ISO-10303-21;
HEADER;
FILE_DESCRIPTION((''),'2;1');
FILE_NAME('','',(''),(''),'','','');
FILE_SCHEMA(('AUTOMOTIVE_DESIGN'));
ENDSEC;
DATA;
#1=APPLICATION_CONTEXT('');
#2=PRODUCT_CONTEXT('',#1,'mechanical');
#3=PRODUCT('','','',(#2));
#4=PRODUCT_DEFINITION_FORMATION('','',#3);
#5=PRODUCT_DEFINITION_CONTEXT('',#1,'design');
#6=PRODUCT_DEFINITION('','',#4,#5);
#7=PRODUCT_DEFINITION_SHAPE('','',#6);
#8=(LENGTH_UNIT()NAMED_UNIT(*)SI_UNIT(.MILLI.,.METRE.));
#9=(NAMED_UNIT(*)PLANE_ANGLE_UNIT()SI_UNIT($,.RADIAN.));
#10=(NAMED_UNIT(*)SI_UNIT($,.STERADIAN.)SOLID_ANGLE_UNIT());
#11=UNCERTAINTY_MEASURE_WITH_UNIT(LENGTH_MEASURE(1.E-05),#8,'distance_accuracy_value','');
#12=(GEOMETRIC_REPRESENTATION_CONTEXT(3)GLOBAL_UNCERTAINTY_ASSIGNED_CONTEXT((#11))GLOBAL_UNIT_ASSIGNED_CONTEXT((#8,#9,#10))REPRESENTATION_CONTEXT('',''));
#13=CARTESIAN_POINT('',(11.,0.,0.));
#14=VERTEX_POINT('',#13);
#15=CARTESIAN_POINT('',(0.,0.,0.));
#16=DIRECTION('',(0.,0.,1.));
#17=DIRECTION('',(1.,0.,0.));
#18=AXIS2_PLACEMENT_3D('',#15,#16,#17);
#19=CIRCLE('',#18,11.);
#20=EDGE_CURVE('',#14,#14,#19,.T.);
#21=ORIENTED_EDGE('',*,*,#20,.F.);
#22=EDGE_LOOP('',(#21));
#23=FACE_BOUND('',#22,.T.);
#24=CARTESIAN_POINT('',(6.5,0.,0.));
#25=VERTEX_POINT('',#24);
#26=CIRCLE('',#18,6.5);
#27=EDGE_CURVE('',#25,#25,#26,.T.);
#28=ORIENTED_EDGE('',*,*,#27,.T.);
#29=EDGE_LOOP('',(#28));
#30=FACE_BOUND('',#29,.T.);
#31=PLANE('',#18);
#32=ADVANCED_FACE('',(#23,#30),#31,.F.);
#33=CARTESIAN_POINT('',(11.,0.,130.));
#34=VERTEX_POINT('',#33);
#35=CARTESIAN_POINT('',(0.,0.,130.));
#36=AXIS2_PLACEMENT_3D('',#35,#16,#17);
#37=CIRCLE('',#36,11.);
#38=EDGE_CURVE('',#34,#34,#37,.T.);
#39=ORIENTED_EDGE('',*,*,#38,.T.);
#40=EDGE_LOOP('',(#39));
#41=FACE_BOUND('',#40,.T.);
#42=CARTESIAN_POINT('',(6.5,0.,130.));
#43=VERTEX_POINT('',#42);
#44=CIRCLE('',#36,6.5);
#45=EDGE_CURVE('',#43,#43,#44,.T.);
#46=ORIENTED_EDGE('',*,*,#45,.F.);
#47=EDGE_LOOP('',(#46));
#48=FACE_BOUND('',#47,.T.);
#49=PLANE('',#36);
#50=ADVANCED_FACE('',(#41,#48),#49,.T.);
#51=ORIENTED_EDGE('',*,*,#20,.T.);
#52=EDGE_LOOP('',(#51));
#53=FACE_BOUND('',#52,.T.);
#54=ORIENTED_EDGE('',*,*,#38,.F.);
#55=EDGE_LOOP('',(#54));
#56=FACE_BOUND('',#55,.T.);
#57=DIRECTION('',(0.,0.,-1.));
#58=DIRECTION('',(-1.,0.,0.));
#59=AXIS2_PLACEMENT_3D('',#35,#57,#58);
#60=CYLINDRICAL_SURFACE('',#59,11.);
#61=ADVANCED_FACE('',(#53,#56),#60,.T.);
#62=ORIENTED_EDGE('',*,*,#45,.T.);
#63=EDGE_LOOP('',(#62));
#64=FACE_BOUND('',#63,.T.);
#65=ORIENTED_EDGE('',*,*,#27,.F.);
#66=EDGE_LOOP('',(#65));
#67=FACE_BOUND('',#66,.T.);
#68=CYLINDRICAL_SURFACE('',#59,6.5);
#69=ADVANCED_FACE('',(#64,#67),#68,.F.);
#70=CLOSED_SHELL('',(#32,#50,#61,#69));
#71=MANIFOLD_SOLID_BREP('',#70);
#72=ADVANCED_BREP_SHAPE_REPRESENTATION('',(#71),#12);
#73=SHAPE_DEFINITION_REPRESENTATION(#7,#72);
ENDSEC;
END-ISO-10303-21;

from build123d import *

# Parameters (mm, degrees)
CROQUIS2_R              = 11
CROQUIS2_R_2            = 6.5
SALIENTE_EXTRUIR1_DEPTH = 130


with BuildPart() as part:
    # Croquis2 → Saliente-Extruir1 (new body)
    with BuildSketch(Plane.XY):
        Circle(CROQUIS2_R)
        Circle(CROQUIS2_R_2, mode=Mode.SUBTRACT)
    extrude(amount=SALIENTE_EXTRUIR1_DEPTH)


solid = part.part
